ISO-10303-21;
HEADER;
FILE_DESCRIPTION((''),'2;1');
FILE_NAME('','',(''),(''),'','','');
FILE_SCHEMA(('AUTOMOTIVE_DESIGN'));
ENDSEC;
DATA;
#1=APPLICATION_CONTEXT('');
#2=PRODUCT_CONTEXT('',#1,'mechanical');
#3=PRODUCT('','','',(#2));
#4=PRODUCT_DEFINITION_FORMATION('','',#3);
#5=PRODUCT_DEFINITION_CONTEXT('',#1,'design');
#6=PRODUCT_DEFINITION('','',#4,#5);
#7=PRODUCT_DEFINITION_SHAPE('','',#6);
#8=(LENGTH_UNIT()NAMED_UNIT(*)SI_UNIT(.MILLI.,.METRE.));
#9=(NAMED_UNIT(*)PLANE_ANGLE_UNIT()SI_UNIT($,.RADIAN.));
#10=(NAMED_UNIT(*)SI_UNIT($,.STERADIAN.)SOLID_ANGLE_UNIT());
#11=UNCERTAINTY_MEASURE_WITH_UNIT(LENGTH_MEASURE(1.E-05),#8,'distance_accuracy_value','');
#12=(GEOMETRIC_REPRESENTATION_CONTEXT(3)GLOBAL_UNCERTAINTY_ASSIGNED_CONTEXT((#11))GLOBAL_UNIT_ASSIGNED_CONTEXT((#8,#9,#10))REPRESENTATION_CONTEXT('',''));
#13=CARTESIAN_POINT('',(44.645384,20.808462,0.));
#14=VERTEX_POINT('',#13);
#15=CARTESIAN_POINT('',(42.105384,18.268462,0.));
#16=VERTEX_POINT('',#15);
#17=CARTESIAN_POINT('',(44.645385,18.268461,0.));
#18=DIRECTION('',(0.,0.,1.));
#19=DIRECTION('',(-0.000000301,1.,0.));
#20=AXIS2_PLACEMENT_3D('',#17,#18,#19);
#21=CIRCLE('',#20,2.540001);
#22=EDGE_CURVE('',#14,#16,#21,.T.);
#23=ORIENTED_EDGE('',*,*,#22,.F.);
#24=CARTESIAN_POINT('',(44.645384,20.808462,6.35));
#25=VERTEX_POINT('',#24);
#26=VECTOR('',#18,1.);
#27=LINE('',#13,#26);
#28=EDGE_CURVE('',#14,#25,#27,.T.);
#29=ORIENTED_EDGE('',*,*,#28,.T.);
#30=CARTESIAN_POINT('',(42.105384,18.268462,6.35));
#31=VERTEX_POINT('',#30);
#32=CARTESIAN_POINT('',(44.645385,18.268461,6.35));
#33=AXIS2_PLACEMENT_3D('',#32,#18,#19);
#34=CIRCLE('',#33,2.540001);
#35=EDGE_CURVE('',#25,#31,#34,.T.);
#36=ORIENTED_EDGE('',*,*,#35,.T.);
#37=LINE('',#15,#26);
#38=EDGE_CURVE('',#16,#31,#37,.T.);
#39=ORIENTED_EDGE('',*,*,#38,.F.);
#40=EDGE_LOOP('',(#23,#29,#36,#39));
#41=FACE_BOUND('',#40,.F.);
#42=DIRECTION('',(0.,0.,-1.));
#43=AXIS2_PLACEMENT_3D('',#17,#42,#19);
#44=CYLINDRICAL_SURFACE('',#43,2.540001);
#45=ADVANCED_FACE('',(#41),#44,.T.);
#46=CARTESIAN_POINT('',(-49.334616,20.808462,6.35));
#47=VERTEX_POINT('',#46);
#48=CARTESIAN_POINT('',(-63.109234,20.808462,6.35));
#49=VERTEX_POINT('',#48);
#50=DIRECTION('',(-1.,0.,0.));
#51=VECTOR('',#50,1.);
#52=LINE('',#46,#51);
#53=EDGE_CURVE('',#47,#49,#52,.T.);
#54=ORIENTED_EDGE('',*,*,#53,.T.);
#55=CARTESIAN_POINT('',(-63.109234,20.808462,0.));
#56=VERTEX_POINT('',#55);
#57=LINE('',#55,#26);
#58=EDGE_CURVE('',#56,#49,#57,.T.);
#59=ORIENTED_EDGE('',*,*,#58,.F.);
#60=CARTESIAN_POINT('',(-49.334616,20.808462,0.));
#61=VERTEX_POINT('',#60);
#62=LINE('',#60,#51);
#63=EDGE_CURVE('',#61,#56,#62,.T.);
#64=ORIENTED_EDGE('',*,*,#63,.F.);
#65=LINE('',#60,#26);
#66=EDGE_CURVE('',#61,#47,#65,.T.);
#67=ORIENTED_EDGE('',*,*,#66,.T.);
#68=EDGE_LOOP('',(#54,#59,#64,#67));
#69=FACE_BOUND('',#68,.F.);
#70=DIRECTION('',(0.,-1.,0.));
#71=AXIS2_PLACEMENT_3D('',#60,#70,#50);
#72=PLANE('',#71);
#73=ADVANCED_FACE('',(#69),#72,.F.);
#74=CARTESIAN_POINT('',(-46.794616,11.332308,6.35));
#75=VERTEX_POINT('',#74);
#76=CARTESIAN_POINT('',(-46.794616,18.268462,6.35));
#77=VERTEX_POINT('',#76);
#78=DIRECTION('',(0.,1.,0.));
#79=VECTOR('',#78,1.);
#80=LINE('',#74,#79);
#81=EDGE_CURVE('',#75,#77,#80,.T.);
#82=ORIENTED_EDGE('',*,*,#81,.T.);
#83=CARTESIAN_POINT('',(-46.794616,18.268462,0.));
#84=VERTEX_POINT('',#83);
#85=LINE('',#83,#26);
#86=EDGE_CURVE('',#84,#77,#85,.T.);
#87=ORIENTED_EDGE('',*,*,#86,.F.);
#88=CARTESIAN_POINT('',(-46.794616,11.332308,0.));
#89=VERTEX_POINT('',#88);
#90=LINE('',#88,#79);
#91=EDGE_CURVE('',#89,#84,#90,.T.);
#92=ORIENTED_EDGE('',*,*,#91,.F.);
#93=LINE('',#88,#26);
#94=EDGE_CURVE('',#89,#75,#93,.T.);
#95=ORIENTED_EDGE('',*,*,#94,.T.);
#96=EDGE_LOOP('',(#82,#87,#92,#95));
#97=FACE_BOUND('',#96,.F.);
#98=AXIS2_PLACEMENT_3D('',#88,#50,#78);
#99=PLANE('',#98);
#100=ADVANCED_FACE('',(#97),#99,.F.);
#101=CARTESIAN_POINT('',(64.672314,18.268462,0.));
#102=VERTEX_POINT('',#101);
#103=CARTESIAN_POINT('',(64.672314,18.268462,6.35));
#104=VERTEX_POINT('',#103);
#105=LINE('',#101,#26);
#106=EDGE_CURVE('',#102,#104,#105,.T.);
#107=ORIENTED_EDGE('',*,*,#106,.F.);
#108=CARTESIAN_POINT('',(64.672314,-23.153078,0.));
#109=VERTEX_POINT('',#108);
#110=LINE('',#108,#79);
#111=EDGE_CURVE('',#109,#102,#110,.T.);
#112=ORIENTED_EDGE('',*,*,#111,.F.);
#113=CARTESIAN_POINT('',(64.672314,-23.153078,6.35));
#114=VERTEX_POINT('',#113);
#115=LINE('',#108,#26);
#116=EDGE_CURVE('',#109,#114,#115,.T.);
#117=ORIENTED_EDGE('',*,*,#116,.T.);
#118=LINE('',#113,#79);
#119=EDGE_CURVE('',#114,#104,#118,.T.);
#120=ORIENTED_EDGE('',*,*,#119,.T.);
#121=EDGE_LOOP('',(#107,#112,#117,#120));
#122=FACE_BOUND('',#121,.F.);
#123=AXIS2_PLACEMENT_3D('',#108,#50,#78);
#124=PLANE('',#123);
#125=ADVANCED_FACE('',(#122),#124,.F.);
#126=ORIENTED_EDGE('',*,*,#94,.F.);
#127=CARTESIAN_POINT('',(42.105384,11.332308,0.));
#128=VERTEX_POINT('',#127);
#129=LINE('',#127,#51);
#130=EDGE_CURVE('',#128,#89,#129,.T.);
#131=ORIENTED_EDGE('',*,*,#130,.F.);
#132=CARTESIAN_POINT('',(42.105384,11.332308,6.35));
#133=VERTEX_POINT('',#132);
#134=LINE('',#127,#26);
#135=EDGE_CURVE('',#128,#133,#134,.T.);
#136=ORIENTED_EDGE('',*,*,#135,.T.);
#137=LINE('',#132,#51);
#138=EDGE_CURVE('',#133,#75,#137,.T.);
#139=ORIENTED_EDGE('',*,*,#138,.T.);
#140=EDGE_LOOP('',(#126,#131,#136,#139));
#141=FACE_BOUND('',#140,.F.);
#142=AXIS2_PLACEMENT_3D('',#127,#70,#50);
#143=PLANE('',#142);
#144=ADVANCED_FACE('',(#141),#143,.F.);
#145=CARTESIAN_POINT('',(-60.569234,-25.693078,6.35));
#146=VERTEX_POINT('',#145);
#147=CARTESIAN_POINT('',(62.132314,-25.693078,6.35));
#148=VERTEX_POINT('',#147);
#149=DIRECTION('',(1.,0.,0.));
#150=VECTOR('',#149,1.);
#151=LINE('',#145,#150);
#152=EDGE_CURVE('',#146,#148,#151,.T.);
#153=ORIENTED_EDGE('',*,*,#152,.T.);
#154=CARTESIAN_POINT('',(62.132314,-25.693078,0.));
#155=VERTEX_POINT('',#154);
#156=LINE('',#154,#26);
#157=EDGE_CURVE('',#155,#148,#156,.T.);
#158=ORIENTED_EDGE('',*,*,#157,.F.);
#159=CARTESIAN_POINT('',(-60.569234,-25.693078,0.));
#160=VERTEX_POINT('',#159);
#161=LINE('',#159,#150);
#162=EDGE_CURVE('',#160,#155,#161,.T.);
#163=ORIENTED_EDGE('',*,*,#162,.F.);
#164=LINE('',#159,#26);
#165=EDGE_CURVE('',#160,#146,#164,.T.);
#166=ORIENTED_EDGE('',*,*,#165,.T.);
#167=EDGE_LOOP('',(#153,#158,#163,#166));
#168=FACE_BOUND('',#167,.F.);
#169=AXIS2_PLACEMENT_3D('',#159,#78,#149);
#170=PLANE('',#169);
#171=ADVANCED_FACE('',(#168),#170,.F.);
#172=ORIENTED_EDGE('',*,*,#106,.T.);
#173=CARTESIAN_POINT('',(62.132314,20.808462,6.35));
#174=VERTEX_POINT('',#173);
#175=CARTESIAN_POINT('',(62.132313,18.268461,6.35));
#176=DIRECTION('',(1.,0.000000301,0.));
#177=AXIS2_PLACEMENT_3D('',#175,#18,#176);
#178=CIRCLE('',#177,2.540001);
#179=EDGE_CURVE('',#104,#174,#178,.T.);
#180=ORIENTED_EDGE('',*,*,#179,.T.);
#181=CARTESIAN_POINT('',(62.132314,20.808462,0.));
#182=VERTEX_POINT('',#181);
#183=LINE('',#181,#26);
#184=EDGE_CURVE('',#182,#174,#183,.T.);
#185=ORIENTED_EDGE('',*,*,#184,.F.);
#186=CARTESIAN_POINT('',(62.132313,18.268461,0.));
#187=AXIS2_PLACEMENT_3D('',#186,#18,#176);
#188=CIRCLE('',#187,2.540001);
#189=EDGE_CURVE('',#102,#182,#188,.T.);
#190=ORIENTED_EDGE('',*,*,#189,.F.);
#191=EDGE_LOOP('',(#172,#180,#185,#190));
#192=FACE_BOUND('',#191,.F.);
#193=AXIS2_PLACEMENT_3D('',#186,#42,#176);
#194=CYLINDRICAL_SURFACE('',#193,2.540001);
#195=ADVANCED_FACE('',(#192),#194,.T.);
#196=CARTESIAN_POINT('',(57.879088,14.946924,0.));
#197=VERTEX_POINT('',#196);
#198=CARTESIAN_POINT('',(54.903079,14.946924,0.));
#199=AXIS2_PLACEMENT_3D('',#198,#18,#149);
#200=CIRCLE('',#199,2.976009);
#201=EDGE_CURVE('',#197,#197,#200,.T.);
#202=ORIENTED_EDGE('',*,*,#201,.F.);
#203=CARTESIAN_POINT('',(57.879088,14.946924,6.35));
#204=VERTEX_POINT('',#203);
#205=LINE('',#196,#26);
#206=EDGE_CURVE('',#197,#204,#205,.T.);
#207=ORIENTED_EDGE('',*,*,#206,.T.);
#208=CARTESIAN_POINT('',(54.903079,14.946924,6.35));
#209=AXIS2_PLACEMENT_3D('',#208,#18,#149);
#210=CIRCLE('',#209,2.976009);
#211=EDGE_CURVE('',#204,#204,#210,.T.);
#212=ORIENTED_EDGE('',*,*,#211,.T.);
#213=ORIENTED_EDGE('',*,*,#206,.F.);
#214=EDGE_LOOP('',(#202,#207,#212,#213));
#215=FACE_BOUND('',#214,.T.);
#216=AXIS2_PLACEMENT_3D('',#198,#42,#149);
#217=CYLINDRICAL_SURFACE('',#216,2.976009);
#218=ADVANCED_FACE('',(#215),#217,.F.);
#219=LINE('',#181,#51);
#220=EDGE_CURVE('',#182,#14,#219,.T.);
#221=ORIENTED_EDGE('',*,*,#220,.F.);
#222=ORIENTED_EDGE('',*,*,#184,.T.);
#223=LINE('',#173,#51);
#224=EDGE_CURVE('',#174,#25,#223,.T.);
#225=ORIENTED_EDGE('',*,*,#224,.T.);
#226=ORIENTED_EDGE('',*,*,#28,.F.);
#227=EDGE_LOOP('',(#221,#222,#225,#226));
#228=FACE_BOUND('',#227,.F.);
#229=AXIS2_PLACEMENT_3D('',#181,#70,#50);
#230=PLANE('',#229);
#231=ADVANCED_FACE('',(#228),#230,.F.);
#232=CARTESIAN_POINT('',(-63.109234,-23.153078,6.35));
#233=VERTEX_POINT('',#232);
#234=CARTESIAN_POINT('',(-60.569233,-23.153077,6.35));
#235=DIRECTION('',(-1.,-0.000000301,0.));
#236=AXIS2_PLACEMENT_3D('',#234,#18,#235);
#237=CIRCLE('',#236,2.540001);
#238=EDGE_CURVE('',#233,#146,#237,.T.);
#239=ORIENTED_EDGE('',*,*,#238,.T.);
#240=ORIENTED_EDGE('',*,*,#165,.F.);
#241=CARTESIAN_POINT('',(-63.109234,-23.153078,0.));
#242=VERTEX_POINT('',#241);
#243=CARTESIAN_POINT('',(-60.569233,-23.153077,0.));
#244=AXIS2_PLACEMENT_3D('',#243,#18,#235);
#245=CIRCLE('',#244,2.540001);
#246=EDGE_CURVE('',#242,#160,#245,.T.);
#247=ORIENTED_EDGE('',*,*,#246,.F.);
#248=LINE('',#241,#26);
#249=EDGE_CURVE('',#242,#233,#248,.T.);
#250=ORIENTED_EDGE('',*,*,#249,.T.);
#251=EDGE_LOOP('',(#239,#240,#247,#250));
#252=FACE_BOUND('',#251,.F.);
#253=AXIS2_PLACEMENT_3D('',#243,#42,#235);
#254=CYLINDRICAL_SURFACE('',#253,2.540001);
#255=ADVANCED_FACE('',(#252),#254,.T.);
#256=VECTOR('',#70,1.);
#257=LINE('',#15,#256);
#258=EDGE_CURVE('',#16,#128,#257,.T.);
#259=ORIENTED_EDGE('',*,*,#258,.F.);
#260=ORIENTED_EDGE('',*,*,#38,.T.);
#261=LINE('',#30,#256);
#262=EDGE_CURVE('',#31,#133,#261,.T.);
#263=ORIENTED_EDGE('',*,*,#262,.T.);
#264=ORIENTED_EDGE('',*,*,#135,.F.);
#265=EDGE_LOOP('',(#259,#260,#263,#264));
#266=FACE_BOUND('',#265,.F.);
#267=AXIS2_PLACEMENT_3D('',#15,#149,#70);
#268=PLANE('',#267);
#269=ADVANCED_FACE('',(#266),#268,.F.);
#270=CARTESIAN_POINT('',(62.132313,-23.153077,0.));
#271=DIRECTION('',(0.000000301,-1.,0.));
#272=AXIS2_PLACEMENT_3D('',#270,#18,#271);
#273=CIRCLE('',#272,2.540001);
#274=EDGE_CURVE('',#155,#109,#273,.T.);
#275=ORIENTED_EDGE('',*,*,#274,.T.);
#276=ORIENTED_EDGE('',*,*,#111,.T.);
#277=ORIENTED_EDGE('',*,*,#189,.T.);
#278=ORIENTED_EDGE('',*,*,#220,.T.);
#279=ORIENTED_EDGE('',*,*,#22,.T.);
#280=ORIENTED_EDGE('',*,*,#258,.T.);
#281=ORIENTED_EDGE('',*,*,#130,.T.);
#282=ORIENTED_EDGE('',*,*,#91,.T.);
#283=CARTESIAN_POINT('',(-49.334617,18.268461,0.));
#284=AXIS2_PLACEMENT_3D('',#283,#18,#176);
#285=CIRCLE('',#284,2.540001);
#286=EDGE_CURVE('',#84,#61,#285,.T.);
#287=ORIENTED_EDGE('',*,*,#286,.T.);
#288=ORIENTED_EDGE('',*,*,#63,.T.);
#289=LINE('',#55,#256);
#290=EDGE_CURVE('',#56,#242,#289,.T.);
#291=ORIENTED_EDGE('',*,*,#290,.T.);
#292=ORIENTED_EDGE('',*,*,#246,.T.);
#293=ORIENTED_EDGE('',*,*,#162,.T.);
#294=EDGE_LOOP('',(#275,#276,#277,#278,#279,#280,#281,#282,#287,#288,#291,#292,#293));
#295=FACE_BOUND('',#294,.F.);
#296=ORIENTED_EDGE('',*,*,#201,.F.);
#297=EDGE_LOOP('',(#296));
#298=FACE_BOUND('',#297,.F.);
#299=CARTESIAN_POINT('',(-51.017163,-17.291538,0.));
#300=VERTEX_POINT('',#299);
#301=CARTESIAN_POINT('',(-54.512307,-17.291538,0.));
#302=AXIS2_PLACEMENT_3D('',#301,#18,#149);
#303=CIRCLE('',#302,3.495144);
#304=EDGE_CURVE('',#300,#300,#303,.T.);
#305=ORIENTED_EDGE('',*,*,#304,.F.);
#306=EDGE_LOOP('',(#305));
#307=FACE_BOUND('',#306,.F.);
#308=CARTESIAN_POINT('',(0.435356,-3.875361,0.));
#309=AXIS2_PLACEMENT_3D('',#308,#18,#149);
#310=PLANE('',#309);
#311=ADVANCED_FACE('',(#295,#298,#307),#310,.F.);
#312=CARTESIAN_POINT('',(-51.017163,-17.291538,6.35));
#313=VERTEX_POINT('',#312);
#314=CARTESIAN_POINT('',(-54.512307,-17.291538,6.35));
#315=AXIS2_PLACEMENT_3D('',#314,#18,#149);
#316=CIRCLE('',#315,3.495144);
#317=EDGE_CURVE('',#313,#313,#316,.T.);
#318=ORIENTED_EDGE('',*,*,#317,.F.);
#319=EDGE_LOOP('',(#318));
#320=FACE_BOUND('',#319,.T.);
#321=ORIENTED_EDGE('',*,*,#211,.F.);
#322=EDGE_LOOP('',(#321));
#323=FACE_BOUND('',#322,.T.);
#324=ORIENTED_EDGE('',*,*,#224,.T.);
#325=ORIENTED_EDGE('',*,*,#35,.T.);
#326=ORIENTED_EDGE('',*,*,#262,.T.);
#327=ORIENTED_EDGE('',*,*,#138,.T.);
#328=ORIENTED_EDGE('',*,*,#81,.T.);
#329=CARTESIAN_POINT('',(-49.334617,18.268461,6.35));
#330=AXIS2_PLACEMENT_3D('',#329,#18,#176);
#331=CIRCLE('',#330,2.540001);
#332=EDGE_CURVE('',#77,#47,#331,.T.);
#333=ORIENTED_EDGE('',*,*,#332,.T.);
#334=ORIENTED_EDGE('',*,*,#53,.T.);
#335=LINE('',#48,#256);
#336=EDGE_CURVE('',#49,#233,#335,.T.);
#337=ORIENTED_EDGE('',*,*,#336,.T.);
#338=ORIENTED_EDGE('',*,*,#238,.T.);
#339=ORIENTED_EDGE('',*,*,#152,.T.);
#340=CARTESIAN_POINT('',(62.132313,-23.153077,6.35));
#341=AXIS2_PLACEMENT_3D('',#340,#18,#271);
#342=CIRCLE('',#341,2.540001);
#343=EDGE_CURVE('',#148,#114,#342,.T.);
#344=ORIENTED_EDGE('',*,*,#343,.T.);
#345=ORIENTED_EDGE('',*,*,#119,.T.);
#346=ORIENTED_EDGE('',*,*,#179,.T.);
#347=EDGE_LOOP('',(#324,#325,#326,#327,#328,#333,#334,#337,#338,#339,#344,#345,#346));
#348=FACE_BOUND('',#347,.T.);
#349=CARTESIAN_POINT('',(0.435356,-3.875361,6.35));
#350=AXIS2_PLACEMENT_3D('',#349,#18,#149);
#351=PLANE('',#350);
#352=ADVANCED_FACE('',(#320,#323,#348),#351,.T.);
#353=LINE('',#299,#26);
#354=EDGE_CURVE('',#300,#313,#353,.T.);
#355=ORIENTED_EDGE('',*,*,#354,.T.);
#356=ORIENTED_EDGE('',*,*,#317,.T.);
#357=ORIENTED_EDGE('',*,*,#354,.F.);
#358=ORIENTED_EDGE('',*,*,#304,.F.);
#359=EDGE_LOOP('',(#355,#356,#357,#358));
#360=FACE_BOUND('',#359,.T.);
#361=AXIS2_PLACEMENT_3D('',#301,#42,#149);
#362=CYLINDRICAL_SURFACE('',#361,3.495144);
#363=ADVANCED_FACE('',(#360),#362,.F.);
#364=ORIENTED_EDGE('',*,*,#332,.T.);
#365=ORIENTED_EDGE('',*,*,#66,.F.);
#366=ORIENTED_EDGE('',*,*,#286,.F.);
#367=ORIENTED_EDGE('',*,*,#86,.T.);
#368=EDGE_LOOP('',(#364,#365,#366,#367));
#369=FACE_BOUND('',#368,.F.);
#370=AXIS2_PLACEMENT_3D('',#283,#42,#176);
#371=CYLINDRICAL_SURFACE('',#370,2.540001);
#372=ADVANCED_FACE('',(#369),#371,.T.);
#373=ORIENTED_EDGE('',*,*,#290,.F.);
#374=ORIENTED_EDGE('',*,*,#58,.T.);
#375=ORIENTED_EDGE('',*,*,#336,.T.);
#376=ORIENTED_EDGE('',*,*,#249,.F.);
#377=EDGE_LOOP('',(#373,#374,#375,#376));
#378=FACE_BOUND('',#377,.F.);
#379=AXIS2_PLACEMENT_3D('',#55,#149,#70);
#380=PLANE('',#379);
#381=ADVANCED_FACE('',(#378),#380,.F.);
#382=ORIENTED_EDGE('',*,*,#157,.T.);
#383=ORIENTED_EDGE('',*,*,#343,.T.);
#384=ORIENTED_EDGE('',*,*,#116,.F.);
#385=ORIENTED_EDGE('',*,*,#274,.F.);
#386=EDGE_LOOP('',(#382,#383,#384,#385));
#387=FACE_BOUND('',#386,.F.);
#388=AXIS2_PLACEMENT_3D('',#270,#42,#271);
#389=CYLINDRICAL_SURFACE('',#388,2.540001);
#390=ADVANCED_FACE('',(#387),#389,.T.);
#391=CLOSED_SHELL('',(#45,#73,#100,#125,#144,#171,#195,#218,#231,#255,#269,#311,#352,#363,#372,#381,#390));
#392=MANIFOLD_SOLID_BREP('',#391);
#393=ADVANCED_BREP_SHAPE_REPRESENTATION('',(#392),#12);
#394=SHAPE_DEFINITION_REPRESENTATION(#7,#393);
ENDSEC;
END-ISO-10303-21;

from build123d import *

# Parameters (mm, degrees)
F0_R     = 3.495144
F0_R_2   = 2.976009
F1_DEPTH = 6.35


with BuildPart() as f1:
    # F0 (on Top) → F1 (new body)
    with BuildSketch(Plane.XY):
        with BuildLine():
            Line((-49.334616, 20.808462), (-63.109234, 20.808462))
            Line((-63.109234, 20.808462), (-63.109234, -23.153078))
            ThreePointArc((-63.109234, -23.153078), (-62.365285, -24.949129), (-60.569234, -25.693078))
            Line((-60.569234, -25.693078), (62.132314, -25.693078))
            ThreePointArc((62.132314, -25.693078), (63.928365, -24.949129), (64.672314, -23.153078))
            Line((64.672314, -23.153078), (64.672314, 18.268462))
            ThreePointArc((64.672314, 18.268462), (63.928365, 20.064513), (62.132314, 20.808462))
            Line((62.132314, 20.808462), (44.645384, 20.808462))
            ThreePointArc((44.645384, 20.808462), (42.849333, 20.064513), (42.105384, 18.268462))
            Line((42.105384, 18.268462), (42.105384, 11.332308))
            Line((42.105384, 11.332308), (-46.794616, 11.332308))
            Line((-46.794616, 11.332308), (-46.794616, 18.268462))
            ThreePointArc((-46.794616, 18.268462), (-47.538565, 20.064513), (-49.334616, 20.808462))
        make_face()
        with Locations((-54.512307, -17.291538)):
            Circle(F0_R, mode=Mode.SUBTRACT)
        with Locations((54.903079, 14.946924)):
            Circle(F0_R_2, mode=Mode.SUBTRACT)
    extrude(amount=F1_DEPTH)


solid = f1.part
